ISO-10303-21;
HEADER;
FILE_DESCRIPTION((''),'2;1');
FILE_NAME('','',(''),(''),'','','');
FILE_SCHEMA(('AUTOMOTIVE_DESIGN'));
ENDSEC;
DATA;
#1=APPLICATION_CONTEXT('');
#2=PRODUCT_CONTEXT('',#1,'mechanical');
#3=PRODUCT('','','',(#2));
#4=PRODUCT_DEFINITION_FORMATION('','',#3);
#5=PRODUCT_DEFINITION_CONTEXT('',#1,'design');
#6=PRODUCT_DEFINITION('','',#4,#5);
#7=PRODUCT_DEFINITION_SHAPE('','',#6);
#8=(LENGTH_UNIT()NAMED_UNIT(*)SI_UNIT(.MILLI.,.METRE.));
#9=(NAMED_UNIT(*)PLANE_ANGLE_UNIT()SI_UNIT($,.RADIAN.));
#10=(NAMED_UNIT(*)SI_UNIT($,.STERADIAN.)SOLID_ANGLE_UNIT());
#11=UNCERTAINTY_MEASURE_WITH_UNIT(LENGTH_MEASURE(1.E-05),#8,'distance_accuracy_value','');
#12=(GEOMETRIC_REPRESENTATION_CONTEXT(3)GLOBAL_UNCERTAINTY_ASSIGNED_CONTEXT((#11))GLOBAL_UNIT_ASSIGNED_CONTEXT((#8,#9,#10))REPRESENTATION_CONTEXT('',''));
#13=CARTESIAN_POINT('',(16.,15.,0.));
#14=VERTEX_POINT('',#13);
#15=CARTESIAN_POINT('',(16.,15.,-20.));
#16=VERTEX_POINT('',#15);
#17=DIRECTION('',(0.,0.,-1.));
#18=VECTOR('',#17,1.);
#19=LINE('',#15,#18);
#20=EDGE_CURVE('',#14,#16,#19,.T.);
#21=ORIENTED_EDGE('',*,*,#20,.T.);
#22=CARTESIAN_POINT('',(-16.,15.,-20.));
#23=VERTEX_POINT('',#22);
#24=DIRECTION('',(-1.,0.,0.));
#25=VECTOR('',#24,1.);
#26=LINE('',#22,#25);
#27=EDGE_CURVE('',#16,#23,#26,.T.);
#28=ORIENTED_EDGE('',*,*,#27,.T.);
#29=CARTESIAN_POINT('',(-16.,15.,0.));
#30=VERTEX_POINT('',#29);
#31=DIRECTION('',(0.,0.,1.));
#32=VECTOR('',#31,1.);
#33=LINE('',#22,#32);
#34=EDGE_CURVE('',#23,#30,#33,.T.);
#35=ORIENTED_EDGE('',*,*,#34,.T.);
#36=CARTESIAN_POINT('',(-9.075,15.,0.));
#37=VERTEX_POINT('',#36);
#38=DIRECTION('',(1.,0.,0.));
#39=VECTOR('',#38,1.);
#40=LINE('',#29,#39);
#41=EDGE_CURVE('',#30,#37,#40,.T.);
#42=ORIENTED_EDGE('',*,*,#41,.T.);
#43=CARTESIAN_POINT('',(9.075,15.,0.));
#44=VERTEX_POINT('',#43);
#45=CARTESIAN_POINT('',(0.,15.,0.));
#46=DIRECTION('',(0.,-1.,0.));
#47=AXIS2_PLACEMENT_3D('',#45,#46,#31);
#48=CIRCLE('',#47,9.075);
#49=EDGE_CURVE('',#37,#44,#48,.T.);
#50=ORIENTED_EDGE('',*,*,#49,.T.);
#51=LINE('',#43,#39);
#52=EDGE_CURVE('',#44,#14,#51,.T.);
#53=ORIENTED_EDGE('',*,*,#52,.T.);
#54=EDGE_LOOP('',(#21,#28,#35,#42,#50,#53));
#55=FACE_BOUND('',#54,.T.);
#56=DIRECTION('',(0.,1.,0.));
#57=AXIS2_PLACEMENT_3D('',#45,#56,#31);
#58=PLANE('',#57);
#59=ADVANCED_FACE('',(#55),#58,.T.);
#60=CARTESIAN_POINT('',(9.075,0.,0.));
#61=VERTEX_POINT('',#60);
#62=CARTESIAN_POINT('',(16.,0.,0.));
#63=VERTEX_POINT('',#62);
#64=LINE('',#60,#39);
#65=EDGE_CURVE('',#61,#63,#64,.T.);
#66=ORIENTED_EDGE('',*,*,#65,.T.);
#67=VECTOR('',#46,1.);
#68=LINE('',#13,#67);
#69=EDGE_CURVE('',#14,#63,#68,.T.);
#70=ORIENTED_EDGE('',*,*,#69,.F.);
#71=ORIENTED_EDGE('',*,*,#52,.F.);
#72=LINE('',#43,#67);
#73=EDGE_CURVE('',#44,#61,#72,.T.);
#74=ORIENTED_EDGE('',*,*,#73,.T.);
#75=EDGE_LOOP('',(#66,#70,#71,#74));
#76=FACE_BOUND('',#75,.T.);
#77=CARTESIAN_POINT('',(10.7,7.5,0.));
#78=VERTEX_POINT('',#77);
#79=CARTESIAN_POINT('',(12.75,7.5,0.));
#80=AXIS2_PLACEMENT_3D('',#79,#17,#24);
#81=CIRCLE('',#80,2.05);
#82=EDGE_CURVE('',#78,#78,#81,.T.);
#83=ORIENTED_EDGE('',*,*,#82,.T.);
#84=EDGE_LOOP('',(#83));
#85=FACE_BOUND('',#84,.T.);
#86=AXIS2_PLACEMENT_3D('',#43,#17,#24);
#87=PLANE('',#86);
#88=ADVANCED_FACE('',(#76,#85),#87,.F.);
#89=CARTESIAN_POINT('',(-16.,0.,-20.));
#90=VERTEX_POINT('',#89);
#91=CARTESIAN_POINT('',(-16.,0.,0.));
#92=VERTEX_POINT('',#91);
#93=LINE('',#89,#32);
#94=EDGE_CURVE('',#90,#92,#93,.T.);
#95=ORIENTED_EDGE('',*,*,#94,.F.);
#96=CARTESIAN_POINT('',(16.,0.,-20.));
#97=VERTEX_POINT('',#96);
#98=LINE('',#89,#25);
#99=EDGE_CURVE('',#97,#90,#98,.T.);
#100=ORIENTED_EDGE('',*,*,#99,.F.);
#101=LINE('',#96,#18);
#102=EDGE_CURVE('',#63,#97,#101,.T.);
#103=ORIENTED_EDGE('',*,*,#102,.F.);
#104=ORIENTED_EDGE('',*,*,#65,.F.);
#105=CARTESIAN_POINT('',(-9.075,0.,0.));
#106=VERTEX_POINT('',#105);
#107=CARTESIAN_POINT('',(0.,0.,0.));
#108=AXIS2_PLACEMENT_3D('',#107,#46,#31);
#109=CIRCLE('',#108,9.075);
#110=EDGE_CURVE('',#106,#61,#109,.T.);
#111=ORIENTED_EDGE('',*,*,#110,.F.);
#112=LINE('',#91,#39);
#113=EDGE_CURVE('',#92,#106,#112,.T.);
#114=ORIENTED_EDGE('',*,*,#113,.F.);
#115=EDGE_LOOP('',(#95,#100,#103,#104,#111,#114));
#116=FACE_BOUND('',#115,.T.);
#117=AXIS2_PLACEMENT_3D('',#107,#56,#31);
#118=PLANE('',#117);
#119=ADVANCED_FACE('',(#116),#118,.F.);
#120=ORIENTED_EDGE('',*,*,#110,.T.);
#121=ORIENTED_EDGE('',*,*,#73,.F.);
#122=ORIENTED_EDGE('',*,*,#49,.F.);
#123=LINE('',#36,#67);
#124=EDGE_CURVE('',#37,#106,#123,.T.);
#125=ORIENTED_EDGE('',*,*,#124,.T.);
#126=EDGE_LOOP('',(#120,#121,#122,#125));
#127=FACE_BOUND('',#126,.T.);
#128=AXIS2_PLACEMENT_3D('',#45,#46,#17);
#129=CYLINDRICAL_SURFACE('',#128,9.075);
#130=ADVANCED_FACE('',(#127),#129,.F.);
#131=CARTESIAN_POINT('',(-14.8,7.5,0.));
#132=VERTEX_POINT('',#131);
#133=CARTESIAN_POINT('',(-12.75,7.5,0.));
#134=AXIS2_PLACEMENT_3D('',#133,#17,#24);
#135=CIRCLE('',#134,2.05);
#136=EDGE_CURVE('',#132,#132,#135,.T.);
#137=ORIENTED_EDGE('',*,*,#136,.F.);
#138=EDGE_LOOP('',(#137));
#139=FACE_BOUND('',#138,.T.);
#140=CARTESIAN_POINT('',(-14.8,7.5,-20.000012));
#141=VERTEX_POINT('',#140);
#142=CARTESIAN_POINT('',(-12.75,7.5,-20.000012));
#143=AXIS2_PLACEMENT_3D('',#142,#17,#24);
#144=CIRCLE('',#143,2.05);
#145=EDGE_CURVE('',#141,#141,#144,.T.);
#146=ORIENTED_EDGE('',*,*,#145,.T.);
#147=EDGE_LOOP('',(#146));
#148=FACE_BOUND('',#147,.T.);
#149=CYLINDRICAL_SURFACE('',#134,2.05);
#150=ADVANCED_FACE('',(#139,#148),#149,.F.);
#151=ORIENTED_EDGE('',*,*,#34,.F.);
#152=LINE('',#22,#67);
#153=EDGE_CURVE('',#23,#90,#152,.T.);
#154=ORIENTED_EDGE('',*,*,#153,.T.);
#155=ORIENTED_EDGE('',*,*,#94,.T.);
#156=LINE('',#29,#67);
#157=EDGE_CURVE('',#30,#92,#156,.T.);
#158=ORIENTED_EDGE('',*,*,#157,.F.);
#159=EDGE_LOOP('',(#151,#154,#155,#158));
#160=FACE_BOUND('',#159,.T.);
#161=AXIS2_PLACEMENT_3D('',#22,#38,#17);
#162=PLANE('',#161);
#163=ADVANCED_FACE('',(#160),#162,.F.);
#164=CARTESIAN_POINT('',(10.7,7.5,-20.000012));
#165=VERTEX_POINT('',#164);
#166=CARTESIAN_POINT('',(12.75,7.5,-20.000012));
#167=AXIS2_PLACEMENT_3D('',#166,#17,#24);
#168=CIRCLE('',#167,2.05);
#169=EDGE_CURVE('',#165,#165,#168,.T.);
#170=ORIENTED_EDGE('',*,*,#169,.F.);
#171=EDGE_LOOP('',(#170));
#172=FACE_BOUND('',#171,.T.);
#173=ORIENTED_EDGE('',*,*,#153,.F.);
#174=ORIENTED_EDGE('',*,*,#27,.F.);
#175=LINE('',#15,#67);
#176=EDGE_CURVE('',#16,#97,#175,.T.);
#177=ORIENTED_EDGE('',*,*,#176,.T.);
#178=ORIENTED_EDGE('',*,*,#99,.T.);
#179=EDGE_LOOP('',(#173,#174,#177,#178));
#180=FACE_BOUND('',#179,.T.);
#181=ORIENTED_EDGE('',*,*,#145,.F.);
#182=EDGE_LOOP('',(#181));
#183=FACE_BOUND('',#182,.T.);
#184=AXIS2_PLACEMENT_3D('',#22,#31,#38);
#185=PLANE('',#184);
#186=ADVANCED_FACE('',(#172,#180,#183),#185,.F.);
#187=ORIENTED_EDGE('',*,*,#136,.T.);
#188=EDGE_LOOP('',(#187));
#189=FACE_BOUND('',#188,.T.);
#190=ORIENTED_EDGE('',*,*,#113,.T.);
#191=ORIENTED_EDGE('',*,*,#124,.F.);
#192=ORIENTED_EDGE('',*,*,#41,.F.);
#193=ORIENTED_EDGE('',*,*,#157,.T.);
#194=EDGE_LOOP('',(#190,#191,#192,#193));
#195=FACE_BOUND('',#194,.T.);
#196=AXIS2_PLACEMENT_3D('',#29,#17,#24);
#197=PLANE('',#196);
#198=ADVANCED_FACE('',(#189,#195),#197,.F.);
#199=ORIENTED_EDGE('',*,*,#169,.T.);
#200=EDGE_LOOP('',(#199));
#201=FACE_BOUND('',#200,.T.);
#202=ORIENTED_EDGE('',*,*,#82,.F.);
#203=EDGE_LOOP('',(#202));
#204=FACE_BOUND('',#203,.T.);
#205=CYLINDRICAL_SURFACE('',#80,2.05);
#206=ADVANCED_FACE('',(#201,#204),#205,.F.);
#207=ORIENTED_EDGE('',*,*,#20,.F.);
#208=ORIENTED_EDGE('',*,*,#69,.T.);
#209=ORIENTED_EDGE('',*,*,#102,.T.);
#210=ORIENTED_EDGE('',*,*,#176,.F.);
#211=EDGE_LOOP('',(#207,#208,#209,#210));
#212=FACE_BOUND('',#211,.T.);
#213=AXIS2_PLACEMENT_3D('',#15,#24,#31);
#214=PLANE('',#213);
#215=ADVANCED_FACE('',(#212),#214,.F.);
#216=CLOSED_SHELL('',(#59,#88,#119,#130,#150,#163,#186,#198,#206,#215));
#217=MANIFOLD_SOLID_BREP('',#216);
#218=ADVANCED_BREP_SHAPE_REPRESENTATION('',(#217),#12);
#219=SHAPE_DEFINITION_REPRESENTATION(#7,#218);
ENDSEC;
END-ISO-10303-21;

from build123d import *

# Parameters (mm, degrees)
BOSS_EXTRUDE1_DEPTH     = 15
CUT_EXTRUDE1_DEPTH      = 30.681644159
CUT_EXTRUDE1_DEPTH_BACK = 30.681644159
SKETCH3_R               = 2.05


with BuildPart() as part:
    # Sketch2 → Boss-Extrude1 (new body)
    with BuildSketch(Plane(origin=(0, 0, 0), x_dir=(1, 0, 0), z_dir=(0, 1, 0))):
        with BuildLine():
            Line((-16, 20), (16, 20))
            Line((16, 20), (16, 0))
            Line((16, 0), (9.075, 0))
            ThreePointArc((9.075, 0), (0, 9.075), (-9.075, 0))
            Line((-9.075, 0), (-16, 0))
            Line((-16, 0), (-16, 20))
        make_face()
    extrude(amount=BOSS_EXTRUDE1_DEPTH)

    # Sketch3 → Cut-Extrude1 (cut, two sides: drawn at the far end of the back side and taken through both)
    with BuildSketch(Plane(origin=(0, 0, -20), x_dir=(-1, 0, 0), z_dir=(0, 0, -1)).offset(-CUT_EXTRUDE1_DEPTH_BACK)):
        with Locations((-12.75, 7.5)):
            Circle(SKETCH3_R)
        with Locations((12.75, 7.5)):
            Circle(SKETCH3_R)
    extrude(amount=CUT_EXTRUDE1_DEPTH + CUT_EXTRUDE1_DEPTH_BACK, mode=Mode.SUBTRACT)


solid = part.part
